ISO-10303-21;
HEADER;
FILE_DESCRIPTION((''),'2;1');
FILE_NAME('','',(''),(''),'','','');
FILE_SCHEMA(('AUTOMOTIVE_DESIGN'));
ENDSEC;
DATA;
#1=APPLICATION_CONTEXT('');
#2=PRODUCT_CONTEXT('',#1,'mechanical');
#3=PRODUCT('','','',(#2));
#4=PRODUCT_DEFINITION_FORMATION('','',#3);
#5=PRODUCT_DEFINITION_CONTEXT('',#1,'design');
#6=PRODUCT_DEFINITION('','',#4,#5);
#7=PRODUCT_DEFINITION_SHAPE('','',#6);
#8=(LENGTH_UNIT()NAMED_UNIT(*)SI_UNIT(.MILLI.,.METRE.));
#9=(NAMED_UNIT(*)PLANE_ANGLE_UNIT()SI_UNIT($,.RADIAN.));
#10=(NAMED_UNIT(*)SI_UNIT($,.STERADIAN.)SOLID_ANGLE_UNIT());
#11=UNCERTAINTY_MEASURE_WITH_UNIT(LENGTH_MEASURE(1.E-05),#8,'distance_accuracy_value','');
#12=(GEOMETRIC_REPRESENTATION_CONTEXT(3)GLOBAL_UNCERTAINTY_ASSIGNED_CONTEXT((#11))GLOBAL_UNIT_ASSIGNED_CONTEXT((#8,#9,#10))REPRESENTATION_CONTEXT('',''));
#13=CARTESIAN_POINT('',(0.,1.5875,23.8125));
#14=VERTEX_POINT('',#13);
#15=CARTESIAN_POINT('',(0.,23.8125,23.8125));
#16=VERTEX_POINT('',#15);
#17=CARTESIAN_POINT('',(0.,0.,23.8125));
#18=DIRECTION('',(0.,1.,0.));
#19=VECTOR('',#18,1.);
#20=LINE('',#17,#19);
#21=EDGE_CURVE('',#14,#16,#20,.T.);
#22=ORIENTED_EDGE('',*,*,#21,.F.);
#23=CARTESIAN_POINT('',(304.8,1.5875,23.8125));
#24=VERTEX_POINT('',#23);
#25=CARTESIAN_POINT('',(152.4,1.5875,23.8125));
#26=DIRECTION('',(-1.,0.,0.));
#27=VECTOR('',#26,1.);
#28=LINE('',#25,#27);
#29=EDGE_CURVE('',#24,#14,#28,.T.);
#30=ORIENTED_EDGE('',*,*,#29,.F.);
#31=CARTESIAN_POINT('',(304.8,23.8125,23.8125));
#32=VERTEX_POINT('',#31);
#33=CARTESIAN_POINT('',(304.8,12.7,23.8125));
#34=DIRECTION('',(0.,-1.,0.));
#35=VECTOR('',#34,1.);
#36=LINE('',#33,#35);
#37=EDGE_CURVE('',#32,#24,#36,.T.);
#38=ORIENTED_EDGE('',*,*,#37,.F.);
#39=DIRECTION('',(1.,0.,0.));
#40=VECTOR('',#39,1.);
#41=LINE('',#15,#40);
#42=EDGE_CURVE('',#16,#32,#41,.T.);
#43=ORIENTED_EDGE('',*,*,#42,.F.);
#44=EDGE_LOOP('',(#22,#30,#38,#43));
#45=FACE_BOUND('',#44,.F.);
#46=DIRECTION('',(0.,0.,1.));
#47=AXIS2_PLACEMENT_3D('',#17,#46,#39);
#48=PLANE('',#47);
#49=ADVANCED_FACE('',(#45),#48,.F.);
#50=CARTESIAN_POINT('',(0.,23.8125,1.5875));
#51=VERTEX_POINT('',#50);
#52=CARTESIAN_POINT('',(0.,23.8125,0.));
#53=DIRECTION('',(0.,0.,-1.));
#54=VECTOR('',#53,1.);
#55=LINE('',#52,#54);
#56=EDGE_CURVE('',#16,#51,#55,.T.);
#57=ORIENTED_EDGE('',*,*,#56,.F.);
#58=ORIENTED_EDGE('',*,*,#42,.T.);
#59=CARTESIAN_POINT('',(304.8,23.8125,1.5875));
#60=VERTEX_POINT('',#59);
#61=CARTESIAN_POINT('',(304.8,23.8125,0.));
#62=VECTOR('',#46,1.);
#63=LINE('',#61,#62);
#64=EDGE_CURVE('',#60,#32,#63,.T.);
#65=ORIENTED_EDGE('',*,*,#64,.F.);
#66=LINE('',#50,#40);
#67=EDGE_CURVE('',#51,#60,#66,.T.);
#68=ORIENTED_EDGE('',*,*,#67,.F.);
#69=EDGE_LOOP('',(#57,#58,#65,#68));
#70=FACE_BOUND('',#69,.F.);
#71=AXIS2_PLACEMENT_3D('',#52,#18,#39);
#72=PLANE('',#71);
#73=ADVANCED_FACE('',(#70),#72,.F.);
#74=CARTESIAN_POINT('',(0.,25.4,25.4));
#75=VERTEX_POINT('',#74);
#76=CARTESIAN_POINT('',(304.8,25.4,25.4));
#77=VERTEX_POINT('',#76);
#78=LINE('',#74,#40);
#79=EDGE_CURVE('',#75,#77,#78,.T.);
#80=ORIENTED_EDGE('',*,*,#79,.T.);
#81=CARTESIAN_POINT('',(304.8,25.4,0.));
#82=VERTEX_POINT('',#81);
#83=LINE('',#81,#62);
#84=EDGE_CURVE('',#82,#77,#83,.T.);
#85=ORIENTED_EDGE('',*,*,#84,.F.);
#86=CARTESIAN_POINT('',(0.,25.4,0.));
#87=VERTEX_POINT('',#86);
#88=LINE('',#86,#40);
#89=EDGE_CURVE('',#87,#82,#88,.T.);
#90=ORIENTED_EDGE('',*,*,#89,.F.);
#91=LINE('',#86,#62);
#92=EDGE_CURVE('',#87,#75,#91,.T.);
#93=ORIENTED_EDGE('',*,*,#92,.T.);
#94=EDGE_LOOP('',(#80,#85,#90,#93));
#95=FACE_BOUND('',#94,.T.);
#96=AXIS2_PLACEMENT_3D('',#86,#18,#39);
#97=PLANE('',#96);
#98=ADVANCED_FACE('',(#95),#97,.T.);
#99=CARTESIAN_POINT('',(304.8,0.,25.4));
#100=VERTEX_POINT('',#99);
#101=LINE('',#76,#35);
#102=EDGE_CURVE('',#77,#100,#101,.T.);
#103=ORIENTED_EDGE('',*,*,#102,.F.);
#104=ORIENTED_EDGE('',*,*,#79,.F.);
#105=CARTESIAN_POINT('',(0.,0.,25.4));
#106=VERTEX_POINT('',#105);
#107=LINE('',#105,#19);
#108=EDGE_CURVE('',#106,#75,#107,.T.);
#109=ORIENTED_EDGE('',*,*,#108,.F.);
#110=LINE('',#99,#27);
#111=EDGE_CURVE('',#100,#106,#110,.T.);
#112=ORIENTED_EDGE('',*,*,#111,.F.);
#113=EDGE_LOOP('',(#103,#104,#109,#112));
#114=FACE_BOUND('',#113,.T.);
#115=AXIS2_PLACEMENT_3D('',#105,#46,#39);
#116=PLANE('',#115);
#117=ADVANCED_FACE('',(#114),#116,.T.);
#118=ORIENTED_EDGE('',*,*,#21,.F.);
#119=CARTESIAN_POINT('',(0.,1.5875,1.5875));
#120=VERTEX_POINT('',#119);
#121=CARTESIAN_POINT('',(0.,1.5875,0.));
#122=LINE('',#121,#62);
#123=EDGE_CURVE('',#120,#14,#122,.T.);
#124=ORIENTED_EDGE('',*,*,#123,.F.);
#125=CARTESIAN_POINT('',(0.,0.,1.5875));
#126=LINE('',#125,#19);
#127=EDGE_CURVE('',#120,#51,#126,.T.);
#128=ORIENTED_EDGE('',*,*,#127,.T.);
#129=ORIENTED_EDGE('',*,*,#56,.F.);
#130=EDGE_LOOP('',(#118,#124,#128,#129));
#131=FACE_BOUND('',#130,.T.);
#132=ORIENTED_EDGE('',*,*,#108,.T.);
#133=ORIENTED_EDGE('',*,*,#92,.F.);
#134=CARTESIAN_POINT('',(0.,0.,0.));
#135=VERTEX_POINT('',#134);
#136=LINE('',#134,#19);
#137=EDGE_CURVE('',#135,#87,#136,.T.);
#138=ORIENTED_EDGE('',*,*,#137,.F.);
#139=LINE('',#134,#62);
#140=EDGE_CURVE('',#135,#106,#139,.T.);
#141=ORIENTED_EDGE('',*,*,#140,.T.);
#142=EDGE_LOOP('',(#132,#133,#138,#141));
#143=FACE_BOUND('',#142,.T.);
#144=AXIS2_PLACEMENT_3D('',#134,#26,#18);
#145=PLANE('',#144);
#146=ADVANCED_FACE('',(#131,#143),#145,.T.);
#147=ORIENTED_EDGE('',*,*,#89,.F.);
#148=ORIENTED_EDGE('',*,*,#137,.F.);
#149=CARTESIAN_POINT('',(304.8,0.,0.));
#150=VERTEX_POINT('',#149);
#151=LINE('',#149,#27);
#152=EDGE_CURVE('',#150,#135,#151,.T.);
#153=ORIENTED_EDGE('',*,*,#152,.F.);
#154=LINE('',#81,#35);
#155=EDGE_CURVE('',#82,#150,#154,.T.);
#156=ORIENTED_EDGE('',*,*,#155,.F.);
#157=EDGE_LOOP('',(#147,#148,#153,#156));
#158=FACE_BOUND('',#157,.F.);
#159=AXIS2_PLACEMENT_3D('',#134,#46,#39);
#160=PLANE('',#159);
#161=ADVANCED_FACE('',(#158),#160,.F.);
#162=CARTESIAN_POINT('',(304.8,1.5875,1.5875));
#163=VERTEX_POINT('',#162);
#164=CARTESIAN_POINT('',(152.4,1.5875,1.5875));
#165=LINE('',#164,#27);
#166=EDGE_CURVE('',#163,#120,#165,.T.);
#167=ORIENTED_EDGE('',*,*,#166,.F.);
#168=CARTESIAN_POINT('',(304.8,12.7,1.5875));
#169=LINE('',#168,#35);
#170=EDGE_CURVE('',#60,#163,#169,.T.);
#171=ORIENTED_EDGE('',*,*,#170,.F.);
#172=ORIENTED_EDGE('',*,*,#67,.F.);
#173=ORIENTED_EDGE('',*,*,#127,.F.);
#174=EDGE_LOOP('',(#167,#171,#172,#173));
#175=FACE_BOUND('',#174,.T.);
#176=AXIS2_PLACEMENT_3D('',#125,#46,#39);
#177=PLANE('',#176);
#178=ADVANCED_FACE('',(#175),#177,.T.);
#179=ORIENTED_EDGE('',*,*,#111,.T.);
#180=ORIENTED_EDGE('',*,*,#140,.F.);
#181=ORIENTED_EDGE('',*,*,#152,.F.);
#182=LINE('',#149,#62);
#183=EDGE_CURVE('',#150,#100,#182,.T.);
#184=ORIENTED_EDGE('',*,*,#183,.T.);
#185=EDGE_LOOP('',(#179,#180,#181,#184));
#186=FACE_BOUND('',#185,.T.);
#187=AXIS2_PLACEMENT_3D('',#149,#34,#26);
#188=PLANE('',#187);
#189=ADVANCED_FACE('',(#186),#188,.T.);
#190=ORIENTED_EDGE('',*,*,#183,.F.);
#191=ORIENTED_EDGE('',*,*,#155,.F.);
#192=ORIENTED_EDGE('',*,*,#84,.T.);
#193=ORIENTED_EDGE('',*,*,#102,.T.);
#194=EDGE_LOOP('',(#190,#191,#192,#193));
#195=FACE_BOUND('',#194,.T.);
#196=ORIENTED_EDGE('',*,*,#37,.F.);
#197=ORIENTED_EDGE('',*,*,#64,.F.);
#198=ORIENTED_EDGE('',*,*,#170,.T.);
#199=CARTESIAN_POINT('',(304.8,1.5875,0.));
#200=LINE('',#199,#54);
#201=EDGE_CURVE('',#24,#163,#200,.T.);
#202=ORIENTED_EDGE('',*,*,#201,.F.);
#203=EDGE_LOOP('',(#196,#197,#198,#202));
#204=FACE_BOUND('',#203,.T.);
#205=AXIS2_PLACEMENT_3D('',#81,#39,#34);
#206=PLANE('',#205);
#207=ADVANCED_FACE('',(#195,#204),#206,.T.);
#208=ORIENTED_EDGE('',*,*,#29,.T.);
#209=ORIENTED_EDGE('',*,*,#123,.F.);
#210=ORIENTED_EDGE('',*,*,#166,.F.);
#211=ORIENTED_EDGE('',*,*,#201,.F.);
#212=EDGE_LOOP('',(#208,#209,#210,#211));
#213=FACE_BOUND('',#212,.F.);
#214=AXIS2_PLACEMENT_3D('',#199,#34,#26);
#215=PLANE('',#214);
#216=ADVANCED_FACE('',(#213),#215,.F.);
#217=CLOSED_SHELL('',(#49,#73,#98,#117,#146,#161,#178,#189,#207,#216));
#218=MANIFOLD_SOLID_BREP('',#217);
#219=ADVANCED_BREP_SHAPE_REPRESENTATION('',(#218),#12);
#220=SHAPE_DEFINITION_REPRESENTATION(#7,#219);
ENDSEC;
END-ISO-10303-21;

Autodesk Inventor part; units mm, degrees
ref_plane "YZ Plane" through (0, 0, 0) normal (1, 0, 0) x (0, 1, 0)
ref_plane "XZ Plane" through (0, 0, 0) normal (0, 1, 0) x (-1, 0, 0)
ref_plane "XY Plane" through (0, 0, 0) normal (0, 0, 1) x (1, 0, 0)
sketch "Sketch1" plane through (0, 0, 0) normal (0, 0, 1) x (1, 0, 0)
  line L0 (0, 0) -> (0, 25.4)
  line L1 (0, 25.4) -> (304.8, 25.4)
  line L2 (304.8, 25.4) -> (304.8, 0)
  line L3 (304.8, 0) -> (0, 0)
  dimension "d5" = 25.4
  dimension "d6" = 304.8
extrude "Extrusion1" add sketch "Sketch1" along normal blind 25.4
shell "Shell2" thickness 1.5875 removed faces 2 at (0, 8.4667, 8.4667) at (304.8, 16.9333, 8.4667)
properties part number "Frame_UpperFrameSupport_Rear" material "Aluminum-6061"
